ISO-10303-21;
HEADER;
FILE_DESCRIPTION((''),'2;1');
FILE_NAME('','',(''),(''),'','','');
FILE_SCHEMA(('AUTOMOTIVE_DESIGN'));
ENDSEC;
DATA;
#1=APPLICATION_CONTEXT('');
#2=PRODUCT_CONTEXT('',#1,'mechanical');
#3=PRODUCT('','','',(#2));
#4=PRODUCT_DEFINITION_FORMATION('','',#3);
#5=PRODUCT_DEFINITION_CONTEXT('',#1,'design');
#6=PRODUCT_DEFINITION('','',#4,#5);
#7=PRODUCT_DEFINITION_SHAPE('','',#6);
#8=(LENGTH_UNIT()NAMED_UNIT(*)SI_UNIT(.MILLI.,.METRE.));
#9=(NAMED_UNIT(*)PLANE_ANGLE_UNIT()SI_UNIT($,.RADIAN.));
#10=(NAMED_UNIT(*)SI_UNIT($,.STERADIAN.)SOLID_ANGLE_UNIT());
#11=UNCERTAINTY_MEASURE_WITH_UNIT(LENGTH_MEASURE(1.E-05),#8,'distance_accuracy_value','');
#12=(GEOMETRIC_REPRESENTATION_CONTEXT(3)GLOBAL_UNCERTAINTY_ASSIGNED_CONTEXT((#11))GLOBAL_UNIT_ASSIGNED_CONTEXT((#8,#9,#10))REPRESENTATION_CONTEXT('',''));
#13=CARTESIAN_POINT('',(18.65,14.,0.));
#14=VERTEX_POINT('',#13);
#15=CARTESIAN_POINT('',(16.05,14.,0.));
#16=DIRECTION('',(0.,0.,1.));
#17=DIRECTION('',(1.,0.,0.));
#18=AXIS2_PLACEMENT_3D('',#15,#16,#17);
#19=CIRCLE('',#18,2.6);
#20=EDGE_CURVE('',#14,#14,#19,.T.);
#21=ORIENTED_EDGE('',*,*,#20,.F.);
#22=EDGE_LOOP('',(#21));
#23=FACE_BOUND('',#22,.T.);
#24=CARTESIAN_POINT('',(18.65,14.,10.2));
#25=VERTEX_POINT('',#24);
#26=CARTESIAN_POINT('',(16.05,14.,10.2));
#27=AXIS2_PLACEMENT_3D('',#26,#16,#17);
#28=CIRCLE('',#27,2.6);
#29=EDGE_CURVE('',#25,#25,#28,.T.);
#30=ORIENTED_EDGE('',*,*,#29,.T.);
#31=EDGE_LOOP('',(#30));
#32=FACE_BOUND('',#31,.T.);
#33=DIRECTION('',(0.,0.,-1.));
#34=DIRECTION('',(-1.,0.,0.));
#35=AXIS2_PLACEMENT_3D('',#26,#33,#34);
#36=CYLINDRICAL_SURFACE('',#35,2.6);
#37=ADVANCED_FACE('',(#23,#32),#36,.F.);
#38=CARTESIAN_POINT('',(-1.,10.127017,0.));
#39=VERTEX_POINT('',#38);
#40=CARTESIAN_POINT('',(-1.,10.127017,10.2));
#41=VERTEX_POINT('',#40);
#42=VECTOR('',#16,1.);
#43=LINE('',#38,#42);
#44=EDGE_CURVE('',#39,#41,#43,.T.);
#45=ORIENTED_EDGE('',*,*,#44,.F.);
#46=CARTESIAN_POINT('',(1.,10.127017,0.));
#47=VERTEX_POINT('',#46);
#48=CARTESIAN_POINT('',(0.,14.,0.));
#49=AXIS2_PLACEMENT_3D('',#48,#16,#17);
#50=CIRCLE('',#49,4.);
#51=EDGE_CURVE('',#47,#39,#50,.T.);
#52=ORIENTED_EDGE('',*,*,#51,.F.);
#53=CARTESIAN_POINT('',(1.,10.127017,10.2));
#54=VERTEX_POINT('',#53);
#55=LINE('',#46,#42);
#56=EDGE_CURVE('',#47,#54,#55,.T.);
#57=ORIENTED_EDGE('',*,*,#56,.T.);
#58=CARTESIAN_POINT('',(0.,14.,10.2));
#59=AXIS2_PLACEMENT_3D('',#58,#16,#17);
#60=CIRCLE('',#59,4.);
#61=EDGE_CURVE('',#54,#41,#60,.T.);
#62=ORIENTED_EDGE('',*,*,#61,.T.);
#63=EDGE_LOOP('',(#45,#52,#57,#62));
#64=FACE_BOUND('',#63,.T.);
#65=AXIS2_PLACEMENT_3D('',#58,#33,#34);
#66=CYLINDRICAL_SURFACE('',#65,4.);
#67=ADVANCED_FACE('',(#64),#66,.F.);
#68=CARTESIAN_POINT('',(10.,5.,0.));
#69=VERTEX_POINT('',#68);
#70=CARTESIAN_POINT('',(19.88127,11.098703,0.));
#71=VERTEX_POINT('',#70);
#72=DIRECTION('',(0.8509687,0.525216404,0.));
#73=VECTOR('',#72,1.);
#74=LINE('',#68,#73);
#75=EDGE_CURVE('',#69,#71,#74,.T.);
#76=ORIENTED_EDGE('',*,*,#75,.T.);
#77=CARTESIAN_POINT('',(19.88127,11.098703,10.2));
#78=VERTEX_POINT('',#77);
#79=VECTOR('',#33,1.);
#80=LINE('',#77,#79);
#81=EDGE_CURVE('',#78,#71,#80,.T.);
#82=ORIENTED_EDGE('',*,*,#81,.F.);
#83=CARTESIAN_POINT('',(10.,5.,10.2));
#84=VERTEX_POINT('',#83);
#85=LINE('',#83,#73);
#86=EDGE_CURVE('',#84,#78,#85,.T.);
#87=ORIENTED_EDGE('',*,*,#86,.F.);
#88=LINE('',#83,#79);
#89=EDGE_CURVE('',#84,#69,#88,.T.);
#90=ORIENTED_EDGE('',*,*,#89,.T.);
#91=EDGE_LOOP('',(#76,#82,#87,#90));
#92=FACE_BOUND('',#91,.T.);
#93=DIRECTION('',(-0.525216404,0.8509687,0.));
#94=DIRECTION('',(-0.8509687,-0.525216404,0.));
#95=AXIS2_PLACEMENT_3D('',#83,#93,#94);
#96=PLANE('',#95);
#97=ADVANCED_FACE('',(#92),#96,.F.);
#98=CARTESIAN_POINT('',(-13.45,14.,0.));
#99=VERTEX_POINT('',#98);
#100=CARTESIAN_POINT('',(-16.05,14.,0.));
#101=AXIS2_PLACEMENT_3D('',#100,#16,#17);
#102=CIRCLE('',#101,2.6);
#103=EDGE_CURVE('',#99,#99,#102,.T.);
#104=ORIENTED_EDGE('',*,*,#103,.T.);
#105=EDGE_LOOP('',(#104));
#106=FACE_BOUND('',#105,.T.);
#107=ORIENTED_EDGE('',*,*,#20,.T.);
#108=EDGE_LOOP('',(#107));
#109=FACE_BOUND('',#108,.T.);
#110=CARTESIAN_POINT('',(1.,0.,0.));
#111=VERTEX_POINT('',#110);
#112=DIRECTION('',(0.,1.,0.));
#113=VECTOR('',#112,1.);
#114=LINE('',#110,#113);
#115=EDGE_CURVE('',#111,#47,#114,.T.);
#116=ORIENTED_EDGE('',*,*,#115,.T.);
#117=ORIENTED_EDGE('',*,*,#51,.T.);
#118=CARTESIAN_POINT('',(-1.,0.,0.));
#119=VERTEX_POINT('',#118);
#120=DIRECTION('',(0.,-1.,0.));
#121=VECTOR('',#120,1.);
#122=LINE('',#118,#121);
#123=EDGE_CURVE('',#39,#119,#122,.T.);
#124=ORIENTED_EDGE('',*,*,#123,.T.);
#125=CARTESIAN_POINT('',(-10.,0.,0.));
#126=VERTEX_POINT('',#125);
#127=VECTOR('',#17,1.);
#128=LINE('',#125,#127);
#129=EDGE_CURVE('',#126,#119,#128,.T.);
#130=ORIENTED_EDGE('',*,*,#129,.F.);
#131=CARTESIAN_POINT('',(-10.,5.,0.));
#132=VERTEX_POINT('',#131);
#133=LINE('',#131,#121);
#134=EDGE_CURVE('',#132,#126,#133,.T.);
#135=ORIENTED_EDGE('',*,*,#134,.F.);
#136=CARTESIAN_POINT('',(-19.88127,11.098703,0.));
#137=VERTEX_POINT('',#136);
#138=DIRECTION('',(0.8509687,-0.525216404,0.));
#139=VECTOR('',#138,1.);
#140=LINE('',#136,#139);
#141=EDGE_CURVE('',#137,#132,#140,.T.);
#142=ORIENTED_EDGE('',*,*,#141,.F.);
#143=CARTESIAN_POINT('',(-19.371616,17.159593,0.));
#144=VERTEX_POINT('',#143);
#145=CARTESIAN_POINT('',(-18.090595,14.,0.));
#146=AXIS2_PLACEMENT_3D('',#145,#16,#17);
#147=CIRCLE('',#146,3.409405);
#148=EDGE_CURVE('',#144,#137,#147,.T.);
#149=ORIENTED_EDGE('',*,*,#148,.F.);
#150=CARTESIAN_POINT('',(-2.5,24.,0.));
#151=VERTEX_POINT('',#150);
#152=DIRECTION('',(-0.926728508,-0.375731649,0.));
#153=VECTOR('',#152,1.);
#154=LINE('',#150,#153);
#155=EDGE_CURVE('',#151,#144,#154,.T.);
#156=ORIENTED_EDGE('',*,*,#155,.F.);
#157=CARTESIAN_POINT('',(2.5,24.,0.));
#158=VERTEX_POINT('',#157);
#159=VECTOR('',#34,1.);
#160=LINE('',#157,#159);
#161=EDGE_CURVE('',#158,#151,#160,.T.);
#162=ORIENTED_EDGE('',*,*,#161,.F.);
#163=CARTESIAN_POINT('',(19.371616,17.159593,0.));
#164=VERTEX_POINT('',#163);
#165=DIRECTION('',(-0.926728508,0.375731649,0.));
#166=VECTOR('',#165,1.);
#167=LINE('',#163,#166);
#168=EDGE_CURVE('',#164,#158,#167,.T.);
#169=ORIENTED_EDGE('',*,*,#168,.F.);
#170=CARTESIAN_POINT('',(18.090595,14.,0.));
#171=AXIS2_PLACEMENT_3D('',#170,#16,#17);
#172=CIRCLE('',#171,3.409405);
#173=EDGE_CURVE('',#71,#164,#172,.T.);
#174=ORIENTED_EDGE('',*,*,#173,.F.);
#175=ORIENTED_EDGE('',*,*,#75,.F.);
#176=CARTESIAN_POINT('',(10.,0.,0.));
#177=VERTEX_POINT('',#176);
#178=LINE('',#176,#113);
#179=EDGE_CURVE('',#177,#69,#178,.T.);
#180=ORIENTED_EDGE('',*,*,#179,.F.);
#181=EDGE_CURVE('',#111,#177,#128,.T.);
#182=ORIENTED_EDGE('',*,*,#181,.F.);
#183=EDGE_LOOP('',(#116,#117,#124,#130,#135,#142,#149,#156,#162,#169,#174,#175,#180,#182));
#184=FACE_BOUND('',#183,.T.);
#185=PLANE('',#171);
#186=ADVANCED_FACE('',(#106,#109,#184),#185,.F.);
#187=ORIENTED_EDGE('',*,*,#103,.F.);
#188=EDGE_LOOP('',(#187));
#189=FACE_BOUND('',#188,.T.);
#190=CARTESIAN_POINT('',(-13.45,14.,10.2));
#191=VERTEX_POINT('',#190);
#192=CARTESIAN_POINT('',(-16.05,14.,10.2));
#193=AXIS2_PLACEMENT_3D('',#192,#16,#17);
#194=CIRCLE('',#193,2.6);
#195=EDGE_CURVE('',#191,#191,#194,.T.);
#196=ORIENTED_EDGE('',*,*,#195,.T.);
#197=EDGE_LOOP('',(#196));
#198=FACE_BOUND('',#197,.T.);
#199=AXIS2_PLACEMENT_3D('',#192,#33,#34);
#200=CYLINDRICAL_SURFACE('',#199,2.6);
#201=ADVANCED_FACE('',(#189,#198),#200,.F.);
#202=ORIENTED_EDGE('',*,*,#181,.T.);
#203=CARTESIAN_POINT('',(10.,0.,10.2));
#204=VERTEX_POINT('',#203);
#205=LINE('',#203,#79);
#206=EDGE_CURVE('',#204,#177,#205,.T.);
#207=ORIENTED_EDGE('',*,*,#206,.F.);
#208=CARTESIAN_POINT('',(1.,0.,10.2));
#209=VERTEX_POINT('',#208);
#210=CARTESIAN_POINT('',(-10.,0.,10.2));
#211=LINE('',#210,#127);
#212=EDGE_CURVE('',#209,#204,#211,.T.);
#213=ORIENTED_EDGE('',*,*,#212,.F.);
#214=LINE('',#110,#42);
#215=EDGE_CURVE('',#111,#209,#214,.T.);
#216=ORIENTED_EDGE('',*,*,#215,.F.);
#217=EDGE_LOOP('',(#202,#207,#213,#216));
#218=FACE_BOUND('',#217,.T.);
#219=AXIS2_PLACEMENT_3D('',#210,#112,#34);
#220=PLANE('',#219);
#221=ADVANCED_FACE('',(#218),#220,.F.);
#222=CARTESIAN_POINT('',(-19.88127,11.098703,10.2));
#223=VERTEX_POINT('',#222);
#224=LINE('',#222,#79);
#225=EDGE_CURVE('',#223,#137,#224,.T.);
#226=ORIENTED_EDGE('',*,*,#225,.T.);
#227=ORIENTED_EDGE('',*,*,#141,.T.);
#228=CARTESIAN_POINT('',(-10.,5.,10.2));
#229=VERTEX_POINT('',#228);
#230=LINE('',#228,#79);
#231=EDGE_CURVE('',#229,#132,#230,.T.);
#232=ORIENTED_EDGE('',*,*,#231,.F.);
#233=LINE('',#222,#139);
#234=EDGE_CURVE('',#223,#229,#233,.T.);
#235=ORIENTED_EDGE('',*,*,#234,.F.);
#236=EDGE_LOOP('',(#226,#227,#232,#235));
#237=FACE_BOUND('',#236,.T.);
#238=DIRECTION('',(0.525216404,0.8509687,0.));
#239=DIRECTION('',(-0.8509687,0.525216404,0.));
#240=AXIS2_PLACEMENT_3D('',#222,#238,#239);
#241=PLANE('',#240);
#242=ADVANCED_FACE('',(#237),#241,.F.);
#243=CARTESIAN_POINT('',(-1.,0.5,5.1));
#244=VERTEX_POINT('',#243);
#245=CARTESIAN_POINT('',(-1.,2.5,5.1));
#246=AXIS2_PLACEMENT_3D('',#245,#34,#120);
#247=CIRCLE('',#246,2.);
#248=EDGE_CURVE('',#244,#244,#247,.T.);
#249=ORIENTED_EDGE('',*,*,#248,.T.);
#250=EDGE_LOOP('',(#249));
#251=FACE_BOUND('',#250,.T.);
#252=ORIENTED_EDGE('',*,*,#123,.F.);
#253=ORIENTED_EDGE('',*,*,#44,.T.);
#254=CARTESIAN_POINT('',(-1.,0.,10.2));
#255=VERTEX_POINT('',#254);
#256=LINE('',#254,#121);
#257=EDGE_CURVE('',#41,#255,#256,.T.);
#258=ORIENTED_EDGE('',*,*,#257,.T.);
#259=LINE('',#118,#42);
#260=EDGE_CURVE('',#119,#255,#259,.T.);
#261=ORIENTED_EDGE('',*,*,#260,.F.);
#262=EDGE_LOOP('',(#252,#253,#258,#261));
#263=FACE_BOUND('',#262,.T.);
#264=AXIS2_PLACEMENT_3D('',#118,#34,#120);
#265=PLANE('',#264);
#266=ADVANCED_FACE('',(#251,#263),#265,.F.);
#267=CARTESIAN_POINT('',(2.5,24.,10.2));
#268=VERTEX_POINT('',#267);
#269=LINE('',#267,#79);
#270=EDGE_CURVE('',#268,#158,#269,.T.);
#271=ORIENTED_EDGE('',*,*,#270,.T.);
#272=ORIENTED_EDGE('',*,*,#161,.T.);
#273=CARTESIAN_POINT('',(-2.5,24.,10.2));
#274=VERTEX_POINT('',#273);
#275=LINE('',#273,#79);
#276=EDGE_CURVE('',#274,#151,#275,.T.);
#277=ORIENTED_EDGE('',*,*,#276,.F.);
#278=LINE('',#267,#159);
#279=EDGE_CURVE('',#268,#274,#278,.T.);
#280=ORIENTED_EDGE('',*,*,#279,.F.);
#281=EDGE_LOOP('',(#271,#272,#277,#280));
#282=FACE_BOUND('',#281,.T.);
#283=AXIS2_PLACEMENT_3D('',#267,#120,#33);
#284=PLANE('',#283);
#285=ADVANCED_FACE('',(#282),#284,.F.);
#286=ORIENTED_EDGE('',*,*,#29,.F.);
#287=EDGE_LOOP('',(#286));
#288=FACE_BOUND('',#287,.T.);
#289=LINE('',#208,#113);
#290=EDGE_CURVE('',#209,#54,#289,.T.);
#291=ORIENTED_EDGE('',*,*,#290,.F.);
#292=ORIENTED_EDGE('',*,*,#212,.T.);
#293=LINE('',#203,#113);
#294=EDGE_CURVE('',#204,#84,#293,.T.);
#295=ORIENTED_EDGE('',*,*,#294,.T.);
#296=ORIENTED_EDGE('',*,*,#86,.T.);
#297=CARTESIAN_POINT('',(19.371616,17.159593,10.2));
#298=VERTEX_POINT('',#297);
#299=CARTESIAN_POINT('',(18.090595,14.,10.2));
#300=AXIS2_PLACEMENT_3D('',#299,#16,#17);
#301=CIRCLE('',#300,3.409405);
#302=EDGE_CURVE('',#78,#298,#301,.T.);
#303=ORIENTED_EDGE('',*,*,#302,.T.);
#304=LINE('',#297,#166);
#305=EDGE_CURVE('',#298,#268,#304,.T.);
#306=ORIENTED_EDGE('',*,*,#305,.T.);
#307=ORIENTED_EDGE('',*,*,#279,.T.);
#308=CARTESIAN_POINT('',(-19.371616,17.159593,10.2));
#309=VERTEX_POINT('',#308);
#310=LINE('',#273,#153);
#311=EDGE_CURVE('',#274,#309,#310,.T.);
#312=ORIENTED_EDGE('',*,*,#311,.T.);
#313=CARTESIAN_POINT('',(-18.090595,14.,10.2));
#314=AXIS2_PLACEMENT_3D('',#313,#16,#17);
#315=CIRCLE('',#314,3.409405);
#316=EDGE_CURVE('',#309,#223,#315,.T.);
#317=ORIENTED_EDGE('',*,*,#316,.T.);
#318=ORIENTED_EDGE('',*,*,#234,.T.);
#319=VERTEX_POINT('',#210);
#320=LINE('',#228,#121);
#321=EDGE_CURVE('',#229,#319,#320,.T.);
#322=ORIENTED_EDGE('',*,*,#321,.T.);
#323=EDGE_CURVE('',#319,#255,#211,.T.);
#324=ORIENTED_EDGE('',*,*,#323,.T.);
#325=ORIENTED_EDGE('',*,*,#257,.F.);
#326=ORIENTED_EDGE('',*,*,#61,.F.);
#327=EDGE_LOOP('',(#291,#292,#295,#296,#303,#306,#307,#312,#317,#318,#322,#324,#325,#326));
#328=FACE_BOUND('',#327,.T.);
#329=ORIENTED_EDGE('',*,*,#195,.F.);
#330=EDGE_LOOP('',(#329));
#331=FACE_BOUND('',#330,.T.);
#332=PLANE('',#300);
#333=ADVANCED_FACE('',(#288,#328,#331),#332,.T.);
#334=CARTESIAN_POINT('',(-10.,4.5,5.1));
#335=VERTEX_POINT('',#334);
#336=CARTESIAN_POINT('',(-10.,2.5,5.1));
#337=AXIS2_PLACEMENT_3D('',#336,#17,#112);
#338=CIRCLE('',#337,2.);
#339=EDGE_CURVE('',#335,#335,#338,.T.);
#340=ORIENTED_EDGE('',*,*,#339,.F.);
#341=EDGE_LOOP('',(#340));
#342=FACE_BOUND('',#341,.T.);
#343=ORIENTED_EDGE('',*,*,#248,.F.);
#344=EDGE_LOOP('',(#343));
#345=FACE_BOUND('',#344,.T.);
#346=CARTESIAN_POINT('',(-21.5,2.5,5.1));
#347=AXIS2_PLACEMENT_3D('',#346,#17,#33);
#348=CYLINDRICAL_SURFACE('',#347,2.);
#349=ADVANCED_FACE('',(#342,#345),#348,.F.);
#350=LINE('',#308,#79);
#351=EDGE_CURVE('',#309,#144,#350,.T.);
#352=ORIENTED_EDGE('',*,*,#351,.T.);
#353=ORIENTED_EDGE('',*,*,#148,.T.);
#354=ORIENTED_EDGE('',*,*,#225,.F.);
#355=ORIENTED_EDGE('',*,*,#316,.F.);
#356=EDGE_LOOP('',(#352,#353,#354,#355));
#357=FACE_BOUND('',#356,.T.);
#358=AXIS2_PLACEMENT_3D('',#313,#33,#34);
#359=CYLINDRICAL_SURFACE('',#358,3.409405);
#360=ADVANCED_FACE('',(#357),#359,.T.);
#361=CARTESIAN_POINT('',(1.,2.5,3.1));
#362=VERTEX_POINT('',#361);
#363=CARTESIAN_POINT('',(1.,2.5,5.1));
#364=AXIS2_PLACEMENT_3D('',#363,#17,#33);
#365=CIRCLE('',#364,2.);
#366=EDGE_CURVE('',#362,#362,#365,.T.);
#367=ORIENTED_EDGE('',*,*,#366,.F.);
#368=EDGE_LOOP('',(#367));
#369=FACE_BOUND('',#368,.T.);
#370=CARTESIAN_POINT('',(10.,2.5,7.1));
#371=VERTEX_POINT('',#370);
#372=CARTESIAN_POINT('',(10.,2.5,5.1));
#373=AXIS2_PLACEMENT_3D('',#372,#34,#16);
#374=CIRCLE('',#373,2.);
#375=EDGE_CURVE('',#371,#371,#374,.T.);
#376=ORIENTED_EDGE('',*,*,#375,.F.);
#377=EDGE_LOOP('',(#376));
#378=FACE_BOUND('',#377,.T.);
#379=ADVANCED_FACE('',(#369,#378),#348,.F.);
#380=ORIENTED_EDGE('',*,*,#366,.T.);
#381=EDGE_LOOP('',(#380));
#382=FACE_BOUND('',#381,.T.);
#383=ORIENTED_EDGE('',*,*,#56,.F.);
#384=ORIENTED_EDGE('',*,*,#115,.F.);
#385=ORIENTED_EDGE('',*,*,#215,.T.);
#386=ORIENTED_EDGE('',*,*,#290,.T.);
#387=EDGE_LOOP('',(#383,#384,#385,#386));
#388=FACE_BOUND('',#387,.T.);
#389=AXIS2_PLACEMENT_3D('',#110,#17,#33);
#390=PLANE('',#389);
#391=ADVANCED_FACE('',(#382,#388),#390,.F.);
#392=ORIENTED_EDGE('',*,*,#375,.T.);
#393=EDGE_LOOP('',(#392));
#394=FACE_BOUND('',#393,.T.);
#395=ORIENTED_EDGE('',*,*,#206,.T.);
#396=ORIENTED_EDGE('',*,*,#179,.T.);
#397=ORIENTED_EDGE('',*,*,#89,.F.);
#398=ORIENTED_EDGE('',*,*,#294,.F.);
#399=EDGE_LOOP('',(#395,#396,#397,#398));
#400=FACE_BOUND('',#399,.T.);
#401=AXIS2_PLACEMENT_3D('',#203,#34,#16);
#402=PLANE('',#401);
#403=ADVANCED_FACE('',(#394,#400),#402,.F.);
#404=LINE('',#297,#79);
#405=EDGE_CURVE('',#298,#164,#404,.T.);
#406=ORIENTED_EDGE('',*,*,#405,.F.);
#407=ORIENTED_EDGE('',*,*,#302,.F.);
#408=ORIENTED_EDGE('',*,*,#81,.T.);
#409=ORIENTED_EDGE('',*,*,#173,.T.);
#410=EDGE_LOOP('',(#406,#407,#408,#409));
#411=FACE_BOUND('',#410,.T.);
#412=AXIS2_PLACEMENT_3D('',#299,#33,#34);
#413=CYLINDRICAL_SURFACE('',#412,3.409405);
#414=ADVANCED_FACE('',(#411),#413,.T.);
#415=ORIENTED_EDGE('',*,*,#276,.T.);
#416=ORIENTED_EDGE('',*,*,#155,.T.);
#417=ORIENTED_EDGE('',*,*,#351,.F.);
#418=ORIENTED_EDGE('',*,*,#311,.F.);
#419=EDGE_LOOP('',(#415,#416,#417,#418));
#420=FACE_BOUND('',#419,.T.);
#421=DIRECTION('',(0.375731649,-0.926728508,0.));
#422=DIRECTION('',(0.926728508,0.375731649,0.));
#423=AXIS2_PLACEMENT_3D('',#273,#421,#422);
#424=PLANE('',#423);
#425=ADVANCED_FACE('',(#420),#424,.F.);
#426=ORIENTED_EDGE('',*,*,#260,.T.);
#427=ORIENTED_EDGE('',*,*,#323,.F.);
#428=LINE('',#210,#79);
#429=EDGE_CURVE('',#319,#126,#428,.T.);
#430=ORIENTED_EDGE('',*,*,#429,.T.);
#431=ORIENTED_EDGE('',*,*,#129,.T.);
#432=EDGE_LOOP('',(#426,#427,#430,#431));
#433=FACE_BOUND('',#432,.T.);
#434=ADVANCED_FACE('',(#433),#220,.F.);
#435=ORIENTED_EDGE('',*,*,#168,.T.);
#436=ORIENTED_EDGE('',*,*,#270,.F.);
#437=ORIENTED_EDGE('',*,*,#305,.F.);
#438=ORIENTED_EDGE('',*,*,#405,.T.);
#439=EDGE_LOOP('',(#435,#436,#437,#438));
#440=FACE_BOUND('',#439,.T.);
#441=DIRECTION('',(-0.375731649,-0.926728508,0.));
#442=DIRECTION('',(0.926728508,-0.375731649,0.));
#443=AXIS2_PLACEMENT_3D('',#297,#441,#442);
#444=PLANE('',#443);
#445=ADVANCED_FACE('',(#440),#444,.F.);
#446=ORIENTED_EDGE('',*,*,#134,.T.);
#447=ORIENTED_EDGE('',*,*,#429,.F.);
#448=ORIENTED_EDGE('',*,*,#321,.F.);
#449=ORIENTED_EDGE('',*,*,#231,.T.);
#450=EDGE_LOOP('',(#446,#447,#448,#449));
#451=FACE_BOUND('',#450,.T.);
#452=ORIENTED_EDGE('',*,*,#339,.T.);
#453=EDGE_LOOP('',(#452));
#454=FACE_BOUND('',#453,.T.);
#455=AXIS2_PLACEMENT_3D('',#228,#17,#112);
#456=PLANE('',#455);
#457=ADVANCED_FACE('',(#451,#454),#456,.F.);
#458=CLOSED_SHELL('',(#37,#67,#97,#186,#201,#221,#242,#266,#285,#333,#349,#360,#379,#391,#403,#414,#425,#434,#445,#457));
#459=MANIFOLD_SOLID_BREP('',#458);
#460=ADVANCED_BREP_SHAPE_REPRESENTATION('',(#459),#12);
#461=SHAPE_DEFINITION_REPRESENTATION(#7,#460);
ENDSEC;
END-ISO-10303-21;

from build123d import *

# Parameters (mm, degrees)
CROQUIS1_R                 = 4
CROQUIS1_R_2               = 2.6
SALIENTE_EXTRUIR2_DEPTH    = 10.2
CORTAR_EXTRUIR3_DEPTH      = 11.2
CROQUIS4_R                 = 2
CORTAR_EXTRUIR4_DEPTH      = 12.5
CORTAR_EXTRUIR4_DEPTH_BACK = 32.5


with BuildPart() as part:
    # Croquis1 → Saliente-Extruir2 (new body)
    with BuildSketch(Plane.XY):
        with BuildLine():
            Line((-10, 0), (10, 0))
            Line((10, 0), (10, 5))
            Line((10, 5), (19.881270341, 11.098702893))
            ThreePointArc((19.881270341, 11.098702893), (21.48800967, 14.28568517), (19.37161624, 17.15959299))
            Line((19.37161624, 17.15959299), (2.5, 24))
            Line((2.5, 24), (-2.5, 24))
            Line((-2.5, 24), (-19.37161624, 17.15959299))
            ThreePointArc((-19.37161624, 17.15959299), (-21.48800967, 14.28568517), (-19.881270341, 11.098702893))
            Line((-19.881270341, 11.098702893), (-10, 5))
            Line((-10, 5), (-10, 0))
        make_face()
        with Locations((0, 14)):
            Circle(CROQUIS1_R, mode=Mode.SUBTRACT)
        with Locations((16.05, 14)):
            Circle(CROQUIS1_R_2, mode=Mode.SUBTRACT)
        with Locations((-16.05, 14)):
            Circle(CROQUIS1_R_2, mode=Mode.SUBTRACT)
    extrude(amount=SALIENTE_EXTRUIR2_DEPTH)

    # Croquis3 → Cortar-Extruir3 (cut, through all)
    with BuildSketch(Plane.XY.offset(10.2)):
        with BuildLine():
            Line((-1, 0), (-1, 10.127016654))
            ThreePointArc((-1, 10.127016654), (0, 10), (1, 10.127016654))
            Line((1, 10.127016654), (1, 0))
            Line((1, 0), (-1, 0))
        make_face()
    extrude(amount=-CORTAR_EXTRUIR3_DEPTH, mode=Mode.SUBTRACT)

    # Croquis4 → Cortar-Extruir4 (cut, two sides)
    with BuildSketch(Plane(origin=(10, 0, 0), x_dir=(0, 0, -1), z_dir=(1, 0, 0))) as cortar_extruir4_sk:
        with Locations((-5.1, 2.5)):
            Circle(CROQUIS4_R)
    extrude(amount=CORTAR_EXTRUIR4_DEPTH, mode=Mode.SUBTRACT)
    extrude(cortar_extruir4_sk.sketch, amount=-CORTAR_EXTRUIR4_DEPTH_BACK, mode=Mode.SUBTRACT)


solid = part.part
